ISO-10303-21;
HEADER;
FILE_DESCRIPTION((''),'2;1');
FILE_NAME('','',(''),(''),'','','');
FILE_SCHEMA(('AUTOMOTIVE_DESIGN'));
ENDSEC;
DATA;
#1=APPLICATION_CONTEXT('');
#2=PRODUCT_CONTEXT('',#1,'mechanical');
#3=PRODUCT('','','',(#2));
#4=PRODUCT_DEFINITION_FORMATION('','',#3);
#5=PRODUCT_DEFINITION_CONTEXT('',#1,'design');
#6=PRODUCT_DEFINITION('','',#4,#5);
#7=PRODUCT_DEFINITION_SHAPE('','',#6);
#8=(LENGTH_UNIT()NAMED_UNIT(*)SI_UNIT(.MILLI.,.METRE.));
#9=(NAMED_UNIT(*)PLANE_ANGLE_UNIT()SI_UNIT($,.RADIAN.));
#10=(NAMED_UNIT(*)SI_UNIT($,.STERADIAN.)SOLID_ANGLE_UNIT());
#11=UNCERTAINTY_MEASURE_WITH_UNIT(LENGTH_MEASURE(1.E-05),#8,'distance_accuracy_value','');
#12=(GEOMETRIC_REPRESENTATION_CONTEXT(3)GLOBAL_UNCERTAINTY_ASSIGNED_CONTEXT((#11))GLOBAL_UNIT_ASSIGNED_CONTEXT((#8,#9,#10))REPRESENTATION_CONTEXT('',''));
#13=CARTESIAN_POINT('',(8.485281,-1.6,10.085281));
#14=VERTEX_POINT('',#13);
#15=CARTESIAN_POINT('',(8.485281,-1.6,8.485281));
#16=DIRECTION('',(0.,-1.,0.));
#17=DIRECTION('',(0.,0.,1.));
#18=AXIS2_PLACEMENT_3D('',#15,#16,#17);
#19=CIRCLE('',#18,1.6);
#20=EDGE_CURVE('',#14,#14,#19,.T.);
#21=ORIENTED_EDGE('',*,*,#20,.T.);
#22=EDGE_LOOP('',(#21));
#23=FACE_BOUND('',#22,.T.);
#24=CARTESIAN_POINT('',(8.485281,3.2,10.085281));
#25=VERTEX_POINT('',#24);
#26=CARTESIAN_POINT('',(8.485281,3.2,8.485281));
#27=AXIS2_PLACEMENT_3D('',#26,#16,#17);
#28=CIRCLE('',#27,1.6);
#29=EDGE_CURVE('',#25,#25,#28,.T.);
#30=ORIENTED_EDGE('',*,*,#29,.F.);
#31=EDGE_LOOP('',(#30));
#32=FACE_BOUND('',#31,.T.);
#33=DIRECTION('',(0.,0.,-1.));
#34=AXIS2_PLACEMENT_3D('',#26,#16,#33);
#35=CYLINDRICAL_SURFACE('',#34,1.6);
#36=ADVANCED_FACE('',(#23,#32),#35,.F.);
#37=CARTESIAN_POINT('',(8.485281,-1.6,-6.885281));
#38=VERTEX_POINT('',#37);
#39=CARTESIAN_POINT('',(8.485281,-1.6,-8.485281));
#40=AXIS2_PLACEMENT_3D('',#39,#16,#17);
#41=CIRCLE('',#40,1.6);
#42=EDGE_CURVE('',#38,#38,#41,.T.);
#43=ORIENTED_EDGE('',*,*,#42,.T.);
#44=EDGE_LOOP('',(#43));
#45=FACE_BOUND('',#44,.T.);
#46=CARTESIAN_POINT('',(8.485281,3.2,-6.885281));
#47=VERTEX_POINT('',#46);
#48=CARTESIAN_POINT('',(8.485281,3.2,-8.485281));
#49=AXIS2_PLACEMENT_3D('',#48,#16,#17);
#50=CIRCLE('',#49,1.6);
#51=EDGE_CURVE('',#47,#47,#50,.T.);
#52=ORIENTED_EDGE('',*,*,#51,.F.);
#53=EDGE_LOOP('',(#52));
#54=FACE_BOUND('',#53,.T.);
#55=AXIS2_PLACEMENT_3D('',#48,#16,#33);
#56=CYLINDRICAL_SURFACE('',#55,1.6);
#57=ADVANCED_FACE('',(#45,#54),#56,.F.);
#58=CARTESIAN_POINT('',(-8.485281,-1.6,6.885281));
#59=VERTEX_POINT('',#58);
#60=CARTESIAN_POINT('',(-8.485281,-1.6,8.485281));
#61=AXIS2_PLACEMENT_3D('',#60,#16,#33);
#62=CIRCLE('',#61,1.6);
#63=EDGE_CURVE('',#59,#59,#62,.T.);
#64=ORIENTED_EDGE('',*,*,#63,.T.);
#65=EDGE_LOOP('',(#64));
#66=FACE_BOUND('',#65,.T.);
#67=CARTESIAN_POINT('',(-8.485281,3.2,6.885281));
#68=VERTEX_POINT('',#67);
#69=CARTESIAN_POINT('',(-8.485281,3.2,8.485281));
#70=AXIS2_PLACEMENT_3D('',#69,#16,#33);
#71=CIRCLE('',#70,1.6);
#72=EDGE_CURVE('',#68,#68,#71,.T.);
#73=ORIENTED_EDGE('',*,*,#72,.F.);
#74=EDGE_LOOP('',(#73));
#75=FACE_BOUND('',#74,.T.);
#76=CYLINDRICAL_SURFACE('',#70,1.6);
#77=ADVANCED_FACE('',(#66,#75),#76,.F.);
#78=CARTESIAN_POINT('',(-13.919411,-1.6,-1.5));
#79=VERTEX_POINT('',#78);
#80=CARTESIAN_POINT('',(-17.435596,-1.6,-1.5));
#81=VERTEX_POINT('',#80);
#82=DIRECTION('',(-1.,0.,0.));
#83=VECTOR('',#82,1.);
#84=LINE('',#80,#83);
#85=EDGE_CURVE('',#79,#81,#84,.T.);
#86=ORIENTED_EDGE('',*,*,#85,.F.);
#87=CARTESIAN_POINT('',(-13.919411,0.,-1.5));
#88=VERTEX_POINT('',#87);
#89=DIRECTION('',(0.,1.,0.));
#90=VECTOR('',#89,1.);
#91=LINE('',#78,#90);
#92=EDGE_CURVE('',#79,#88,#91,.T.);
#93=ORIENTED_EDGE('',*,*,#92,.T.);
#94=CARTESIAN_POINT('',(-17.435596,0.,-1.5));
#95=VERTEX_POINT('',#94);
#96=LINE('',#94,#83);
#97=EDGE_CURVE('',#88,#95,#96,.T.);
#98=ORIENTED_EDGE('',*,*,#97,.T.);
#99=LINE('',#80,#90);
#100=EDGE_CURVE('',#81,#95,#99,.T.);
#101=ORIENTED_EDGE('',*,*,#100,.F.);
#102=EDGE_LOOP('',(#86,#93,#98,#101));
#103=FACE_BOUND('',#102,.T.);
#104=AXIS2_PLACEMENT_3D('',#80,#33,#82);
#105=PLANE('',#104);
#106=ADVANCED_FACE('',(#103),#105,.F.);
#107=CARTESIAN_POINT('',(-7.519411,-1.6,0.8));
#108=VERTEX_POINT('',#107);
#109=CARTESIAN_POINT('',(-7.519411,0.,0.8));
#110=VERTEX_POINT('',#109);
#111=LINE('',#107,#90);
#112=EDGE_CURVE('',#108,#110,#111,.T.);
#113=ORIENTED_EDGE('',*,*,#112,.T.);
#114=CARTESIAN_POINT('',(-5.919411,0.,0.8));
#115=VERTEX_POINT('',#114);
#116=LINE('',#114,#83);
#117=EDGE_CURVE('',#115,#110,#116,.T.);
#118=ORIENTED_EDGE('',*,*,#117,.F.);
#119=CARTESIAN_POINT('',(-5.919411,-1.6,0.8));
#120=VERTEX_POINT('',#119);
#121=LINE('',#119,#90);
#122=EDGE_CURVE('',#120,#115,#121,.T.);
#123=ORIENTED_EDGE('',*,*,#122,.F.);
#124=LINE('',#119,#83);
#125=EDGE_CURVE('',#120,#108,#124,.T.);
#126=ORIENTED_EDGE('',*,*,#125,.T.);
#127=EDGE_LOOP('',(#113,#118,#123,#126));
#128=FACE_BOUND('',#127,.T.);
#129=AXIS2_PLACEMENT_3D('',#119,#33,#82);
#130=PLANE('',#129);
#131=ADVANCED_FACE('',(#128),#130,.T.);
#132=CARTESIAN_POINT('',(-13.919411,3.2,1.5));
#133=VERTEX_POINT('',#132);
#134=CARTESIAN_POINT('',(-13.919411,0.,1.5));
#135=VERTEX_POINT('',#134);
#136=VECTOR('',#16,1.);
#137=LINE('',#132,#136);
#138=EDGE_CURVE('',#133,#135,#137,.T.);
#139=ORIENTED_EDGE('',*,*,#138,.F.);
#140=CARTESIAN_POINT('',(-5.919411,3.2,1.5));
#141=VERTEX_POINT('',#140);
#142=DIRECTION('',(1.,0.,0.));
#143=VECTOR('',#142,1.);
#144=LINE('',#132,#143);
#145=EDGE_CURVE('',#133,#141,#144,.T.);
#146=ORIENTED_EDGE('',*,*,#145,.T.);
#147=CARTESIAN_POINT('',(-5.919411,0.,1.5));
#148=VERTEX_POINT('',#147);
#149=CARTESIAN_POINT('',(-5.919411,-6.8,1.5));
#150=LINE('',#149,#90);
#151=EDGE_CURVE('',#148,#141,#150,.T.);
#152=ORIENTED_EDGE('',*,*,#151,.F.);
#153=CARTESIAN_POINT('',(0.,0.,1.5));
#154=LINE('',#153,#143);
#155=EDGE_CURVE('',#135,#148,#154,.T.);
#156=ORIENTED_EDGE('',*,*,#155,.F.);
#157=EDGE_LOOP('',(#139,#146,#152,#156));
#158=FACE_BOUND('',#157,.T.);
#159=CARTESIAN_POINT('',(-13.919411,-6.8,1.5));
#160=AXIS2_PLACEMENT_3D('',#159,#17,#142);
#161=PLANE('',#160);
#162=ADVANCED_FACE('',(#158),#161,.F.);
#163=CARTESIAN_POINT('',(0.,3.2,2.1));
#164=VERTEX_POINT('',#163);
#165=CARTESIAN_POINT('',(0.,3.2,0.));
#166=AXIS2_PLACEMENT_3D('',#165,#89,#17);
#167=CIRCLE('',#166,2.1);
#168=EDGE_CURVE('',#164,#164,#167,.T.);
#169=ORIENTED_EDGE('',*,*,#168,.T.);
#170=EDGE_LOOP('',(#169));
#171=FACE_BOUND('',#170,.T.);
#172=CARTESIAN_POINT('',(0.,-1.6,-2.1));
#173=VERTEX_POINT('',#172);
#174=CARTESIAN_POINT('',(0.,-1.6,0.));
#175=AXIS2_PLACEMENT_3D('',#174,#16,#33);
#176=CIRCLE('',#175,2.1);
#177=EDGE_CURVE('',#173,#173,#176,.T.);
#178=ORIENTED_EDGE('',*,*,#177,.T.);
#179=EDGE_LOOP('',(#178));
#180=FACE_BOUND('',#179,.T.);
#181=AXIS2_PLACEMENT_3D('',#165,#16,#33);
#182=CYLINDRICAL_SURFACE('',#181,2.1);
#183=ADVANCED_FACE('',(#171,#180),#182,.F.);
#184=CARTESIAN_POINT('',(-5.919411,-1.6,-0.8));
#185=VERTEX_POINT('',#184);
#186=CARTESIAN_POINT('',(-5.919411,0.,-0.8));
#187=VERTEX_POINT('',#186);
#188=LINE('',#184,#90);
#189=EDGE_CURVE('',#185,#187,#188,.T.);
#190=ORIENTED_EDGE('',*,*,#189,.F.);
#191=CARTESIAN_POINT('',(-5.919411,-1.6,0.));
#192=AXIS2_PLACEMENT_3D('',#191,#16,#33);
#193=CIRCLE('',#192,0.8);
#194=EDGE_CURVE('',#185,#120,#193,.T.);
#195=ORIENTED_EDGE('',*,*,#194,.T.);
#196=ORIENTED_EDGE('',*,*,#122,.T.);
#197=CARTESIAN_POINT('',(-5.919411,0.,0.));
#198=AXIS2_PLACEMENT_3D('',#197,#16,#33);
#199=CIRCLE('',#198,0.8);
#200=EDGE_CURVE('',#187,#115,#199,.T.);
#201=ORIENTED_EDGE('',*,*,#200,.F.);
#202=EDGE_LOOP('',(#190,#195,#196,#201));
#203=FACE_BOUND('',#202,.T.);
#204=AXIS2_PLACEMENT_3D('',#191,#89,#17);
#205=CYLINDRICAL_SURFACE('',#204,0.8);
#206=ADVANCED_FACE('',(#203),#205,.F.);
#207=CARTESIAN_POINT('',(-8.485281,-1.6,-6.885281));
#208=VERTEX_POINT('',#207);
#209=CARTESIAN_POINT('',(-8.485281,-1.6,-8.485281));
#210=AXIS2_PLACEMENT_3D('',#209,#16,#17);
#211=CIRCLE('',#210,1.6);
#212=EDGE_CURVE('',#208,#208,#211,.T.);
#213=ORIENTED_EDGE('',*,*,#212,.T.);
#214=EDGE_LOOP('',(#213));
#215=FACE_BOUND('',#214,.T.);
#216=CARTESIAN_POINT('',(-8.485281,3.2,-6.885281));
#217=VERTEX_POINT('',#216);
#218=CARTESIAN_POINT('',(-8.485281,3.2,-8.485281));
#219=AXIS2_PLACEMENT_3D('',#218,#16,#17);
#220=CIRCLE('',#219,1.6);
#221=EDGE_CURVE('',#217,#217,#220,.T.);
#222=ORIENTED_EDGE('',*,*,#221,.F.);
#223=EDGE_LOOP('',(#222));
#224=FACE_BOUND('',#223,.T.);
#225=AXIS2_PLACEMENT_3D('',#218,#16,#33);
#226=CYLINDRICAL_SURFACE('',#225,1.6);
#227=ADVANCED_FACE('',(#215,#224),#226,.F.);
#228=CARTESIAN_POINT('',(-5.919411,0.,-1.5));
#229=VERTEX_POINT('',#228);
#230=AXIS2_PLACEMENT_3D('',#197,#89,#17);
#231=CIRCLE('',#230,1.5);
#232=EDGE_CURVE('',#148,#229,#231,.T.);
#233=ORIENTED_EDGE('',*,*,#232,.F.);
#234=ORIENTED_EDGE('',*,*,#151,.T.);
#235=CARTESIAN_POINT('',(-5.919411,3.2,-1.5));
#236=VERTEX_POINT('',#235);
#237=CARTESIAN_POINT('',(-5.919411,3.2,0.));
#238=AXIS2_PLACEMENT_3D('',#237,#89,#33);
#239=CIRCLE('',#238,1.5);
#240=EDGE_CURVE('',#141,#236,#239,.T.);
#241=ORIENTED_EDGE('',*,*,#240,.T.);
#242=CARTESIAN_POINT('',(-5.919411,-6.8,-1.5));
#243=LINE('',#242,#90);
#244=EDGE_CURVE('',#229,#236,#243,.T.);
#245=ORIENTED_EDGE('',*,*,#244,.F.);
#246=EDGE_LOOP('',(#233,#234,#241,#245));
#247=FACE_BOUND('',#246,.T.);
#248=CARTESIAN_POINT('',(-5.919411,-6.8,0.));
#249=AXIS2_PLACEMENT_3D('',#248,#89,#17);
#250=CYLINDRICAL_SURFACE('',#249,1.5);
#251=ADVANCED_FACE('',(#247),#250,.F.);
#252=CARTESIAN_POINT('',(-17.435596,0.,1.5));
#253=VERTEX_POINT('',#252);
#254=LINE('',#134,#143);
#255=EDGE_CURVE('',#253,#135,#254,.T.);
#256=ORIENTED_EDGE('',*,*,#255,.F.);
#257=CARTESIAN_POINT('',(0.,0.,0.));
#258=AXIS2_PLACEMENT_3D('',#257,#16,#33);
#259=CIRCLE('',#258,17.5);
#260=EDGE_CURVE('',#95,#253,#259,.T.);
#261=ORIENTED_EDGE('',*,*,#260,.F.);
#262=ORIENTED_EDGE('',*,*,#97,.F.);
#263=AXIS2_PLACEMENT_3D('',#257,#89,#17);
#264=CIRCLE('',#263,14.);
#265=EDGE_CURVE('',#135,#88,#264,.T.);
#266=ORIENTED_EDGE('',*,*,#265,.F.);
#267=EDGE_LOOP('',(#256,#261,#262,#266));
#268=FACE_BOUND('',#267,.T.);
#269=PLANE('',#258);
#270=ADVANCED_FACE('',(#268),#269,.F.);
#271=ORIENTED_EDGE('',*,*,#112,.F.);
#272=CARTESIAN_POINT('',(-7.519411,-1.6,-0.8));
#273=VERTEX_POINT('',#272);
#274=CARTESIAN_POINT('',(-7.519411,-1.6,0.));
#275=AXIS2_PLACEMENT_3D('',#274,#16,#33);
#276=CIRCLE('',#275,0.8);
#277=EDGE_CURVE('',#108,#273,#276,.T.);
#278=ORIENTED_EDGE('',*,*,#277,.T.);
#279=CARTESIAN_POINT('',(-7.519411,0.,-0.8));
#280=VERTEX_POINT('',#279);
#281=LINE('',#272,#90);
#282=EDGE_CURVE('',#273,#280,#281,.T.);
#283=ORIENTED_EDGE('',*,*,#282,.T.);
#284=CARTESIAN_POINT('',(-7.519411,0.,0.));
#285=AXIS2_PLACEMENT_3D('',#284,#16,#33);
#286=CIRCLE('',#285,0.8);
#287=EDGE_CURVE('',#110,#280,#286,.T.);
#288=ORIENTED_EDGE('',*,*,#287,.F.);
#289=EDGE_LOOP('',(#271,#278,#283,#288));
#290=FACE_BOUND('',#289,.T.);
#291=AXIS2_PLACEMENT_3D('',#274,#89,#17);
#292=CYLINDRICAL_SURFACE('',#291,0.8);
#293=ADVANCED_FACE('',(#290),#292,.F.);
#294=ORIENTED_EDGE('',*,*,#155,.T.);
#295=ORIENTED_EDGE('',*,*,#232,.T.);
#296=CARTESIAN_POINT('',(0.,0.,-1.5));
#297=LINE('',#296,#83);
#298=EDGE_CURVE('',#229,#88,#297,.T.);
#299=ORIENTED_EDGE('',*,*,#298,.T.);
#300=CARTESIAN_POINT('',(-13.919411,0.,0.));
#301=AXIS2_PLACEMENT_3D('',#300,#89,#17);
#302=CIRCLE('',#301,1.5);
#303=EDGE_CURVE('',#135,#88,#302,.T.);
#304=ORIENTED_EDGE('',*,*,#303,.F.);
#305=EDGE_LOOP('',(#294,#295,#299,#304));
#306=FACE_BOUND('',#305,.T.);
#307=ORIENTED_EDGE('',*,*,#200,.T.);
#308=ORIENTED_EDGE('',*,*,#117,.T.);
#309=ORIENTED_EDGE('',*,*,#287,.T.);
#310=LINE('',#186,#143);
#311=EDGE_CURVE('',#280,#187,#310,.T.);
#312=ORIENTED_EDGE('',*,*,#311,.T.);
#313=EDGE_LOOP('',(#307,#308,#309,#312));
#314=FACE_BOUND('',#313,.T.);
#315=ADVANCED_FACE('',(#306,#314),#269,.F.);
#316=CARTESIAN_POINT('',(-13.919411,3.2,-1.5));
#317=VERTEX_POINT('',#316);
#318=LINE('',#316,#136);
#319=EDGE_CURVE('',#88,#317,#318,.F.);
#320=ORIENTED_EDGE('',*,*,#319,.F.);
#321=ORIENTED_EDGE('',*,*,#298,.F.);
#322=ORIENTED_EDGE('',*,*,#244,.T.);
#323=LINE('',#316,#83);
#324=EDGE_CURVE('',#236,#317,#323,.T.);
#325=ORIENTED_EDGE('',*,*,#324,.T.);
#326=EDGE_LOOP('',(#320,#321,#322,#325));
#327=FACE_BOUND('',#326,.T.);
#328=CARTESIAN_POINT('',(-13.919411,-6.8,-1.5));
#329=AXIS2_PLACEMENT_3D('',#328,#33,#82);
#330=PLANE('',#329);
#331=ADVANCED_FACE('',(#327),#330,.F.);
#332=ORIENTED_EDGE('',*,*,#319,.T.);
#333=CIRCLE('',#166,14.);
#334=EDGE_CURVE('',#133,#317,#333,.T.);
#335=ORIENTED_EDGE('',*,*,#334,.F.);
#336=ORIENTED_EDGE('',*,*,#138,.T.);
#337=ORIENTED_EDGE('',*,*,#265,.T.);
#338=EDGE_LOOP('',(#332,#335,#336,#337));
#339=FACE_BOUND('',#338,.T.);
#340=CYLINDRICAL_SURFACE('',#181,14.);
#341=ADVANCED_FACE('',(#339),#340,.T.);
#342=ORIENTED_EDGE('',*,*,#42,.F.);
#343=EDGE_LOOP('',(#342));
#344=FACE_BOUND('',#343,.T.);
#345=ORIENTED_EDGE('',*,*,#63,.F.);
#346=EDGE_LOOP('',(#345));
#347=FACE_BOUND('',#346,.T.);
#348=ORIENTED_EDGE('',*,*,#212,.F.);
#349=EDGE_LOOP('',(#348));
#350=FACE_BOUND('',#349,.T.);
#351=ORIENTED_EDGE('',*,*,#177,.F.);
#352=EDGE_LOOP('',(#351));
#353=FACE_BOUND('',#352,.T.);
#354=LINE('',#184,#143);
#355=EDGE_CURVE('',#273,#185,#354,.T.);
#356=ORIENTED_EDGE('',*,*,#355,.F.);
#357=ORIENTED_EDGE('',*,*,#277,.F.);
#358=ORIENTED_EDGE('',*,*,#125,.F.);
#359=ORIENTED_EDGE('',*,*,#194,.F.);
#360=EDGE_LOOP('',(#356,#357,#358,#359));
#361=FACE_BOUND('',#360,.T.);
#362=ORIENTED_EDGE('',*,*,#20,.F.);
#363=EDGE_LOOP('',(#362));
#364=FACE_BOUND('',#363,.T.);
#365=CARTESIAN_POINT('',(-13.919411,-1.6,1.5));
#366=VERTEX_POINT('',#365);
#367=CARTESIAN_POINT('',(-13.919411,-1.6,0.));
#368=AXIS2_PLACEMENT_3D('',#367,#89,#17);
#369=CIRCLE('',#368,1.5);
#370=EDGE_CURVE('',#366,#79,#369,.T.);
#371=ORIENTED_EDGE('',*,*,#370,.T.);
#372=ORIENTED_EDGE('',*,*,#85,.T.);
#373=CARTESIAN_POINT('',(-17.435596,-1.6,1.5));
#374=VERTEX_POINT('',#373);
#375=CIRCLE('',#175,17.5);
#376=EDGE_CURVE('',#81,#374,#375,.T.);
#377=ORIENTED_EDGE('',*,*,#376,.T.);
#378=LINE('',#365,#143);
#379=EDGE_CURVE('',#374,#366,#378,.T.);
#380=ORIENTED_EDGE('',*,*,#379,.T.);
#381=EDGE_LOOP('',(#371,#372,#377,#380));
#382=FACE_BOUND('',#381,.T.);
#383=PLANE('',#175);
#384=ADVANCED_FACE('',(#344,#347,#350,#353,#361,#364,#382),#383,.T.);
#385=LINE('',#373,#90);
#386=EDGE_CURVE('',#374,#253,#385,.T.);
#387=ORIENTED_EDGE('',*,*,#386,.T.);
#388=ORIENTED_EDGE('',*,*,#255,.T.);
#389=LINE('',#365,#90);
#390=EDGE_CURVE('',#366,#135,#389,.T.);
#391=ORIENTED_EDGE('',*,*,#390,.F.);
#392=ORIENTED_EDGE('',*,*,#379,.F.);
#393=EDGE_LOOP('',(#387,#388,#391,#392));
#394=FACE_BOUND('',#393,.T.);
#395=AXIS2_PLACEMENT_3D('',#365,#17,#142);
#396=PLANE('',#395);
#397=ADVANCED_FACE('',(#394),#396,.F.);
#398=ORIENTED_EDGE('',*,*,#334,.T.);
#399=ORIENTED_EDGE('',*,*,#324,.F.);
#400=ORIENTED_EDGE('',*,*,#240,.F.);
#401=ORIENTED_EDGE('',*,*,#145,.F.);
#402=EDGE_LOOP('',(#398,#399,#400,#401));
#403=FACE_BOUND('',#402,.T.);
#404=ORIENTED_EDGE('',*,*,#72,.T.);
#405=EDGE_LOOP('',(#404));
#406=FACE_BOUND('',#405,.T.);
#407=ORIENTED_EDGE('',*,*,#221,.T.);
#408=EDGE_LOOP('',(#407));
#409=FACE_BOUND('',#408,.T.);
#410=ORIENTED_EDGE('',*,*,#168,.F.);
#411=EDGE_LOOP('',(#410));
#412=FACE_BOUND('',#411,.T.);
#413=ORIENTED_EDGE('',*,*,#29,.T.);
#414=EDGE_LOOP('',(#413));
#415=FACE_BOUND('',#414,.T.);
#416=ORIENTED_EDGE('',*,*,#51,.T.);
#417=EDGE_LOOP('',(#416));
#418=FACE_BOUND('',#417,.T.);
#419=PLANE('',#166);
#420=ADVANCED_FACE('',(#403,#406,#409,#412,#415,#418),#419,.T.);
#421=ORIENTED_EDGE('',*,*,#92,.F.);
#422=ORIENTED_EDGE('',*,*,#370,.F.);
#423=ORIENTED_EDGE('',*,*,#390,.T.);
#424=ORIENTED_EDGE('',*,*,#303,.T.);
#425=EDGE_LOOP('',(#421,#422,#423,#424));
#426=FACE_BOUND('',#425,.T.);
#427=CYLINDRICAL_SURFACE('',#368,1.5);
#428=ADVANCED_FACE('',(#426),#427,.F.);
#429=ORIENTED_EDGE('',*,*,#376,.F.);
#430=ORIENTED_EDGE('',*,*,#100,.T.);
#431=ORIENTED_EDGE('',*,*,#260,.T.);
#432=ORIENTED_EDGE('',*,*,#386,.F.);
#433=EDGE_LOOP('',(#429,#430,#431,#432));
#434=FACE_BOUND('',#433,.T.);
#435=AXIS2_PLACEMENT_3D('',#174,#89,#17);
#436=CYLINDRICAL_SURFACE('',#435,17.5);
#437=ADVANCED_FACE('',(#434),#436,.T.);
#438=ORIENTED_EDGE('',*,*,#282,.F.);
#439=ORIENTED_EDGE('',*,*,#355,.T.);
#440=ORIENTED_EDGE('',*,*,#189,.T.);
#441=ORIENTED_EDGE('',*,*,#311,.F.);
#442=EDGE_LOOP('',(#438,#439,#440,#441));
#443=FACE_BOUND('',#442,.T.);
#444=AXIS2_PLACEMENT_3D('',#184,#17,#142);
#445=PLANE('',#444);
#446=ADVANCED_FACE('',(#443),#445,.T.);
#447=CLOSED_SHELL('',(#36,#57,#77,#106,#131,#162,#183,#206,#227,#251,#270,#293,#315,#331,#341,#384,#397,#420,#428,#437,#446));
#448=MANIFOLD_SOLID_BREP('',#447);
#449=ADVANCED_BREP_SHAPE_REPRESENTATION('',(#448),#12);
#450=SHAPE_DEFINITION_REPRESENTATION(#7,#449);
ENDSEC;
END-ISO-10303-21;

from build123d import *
from build123d.topology import SkipClean

# Parameters (mm, degrees)
SKETCH_1_R          = 14
SKETCH_1_R_2        = 2.1
EXTRUDE_1_DEPTH     = 3.2
CUT_EXTRUDE_1_DEPTH = 10
EXTRUDE_START       = 1.6
SKETCH_3_R          = 2.1
EXTRUDE_2_DEPTH     = 1.6
SKETCH_4_R          = 1.6
CUT_EXTRUDE_2_DEPTH = 26.209918683


with BuildPart() as part:
    # ｽｹｯﾁ1 → ﾎﾞｽ - 押し出し1 (new body)
    with BuildSketch(Plane(origin=(0, 0, 0), x_dir=(1, 0, 0), z_dir=(0, 1, 0))):
        with Locations(Location((0, 0, 0), (0, 0, 270))):
            Circle(SKETCH_1_R)
        with Locations(Location((0, 0, 0), (0, 0, 270))):
            Circle(SKETCH_1_R_2, mode=Mode.SUBTRACT)
    extrude(amount=EXTRUDE_1_DEPTH)

    # ｽｹｯﾁ2 → ｶｯﾄ - 押し出し1 (cut)
    with BuildSketch(Plane(origin=(0, 3.2, 0), x_dir=(1, 0, 0), z_dir=(0, 1, 0))):
        with BuildLine():
            Line((-13.919410907, 1.5), (-5.919410907, 1.5))
            ThreePointArc((-5.919410907, 1.5), (-4.419410907, 0), (-5.919410907, -1.5))
            Line((-5.919410907, -1.5), (-13.919410907, -1.5))
            ThreePointArc((-13.919410907, -1.5), (-15.419410907, 0), (-13.919410907, 1.5))
        make_face()
    extrude(amount=-CUT_EXTRUDE_1_DEPTH, mode=Mode.SUBTRACT)

    # ｽｹｯﾁ3 → ﾎﾞｽ - 押し出し2 (add)
    with SkipClean():  # the faces are left unmerged after this step: merging them gives an invalid solid
        with BuildSketch(Plane.XZ.offset(EXTRUDE_START)):
            with BuildLine():
                Line((-17.435595774, -1.5), (-13.919410907, -1.5))
                ThreePointArc((-13.919410907, -1.5), (-12.419410907, 0), (-13.919410907, 1.5))
                Line((-13.919410907, 1.5), (-17.435595774, 1.5))
                ThreePointArc((-17.435595774, 1.5), (17.5, 0), (-17.435595774, -1.5))
            make_face()
            with Locations(Location((0, 0, 0), (0, 0, 270))):
                Circle(SKETCH_3_R, mode=Mode.SUBTRACT)
            with BuildLine():
                Line((-5.919410907, -0.8), (-7.519410907, -0.8))
                ThreePointArc((-7.519410907, -0.8), (-8.319410907, 0), (-7.519410907, 0.8))
                Line((-7.519410907, 0.8), (-5.919410907, 0.8))
                ThreePointArc((-5.919410907, 0.8), (-5.119410907, 0), (-5.919410907, -0.8))
            make_face(mode=Mode.SUBTRACT)
        extrude(amount=-EXTRUDE_2_DEPTH)

    # ｽｹｯﾁ4 → ｶｯﾄ - 押し出し2 (cut, through all)
    with SkipClean():  # the faces are left unmerged after this step: merging them gives an invalid solid
        with BuildSketch(Plane.XZ.offset(1.6)):
            with Locations(Location((-8.485281374, 8.485281374, 0), (0, 0, 270))):
                Circle(SKETCH_4_R)
            with Locations(Location((8.485281374, -8.485281374, 0), (0, 0, 90))):
                Circle(SKETCH_4_R)
            with Locations(Location((8.485281374, 8.485281374, 0), (0, 0, 90))):
                Circle(SKETCH_4_R)
            with Locations(Location((-8.485281374, -8.485281374, 0), (0, 0, 90))):
                Circle(SKETCH_4_R)
        extrude(amount=-CUT_EXTRUDE_2_DEPTH, mode=Mode.SUBTRACT)


solid = part.part
